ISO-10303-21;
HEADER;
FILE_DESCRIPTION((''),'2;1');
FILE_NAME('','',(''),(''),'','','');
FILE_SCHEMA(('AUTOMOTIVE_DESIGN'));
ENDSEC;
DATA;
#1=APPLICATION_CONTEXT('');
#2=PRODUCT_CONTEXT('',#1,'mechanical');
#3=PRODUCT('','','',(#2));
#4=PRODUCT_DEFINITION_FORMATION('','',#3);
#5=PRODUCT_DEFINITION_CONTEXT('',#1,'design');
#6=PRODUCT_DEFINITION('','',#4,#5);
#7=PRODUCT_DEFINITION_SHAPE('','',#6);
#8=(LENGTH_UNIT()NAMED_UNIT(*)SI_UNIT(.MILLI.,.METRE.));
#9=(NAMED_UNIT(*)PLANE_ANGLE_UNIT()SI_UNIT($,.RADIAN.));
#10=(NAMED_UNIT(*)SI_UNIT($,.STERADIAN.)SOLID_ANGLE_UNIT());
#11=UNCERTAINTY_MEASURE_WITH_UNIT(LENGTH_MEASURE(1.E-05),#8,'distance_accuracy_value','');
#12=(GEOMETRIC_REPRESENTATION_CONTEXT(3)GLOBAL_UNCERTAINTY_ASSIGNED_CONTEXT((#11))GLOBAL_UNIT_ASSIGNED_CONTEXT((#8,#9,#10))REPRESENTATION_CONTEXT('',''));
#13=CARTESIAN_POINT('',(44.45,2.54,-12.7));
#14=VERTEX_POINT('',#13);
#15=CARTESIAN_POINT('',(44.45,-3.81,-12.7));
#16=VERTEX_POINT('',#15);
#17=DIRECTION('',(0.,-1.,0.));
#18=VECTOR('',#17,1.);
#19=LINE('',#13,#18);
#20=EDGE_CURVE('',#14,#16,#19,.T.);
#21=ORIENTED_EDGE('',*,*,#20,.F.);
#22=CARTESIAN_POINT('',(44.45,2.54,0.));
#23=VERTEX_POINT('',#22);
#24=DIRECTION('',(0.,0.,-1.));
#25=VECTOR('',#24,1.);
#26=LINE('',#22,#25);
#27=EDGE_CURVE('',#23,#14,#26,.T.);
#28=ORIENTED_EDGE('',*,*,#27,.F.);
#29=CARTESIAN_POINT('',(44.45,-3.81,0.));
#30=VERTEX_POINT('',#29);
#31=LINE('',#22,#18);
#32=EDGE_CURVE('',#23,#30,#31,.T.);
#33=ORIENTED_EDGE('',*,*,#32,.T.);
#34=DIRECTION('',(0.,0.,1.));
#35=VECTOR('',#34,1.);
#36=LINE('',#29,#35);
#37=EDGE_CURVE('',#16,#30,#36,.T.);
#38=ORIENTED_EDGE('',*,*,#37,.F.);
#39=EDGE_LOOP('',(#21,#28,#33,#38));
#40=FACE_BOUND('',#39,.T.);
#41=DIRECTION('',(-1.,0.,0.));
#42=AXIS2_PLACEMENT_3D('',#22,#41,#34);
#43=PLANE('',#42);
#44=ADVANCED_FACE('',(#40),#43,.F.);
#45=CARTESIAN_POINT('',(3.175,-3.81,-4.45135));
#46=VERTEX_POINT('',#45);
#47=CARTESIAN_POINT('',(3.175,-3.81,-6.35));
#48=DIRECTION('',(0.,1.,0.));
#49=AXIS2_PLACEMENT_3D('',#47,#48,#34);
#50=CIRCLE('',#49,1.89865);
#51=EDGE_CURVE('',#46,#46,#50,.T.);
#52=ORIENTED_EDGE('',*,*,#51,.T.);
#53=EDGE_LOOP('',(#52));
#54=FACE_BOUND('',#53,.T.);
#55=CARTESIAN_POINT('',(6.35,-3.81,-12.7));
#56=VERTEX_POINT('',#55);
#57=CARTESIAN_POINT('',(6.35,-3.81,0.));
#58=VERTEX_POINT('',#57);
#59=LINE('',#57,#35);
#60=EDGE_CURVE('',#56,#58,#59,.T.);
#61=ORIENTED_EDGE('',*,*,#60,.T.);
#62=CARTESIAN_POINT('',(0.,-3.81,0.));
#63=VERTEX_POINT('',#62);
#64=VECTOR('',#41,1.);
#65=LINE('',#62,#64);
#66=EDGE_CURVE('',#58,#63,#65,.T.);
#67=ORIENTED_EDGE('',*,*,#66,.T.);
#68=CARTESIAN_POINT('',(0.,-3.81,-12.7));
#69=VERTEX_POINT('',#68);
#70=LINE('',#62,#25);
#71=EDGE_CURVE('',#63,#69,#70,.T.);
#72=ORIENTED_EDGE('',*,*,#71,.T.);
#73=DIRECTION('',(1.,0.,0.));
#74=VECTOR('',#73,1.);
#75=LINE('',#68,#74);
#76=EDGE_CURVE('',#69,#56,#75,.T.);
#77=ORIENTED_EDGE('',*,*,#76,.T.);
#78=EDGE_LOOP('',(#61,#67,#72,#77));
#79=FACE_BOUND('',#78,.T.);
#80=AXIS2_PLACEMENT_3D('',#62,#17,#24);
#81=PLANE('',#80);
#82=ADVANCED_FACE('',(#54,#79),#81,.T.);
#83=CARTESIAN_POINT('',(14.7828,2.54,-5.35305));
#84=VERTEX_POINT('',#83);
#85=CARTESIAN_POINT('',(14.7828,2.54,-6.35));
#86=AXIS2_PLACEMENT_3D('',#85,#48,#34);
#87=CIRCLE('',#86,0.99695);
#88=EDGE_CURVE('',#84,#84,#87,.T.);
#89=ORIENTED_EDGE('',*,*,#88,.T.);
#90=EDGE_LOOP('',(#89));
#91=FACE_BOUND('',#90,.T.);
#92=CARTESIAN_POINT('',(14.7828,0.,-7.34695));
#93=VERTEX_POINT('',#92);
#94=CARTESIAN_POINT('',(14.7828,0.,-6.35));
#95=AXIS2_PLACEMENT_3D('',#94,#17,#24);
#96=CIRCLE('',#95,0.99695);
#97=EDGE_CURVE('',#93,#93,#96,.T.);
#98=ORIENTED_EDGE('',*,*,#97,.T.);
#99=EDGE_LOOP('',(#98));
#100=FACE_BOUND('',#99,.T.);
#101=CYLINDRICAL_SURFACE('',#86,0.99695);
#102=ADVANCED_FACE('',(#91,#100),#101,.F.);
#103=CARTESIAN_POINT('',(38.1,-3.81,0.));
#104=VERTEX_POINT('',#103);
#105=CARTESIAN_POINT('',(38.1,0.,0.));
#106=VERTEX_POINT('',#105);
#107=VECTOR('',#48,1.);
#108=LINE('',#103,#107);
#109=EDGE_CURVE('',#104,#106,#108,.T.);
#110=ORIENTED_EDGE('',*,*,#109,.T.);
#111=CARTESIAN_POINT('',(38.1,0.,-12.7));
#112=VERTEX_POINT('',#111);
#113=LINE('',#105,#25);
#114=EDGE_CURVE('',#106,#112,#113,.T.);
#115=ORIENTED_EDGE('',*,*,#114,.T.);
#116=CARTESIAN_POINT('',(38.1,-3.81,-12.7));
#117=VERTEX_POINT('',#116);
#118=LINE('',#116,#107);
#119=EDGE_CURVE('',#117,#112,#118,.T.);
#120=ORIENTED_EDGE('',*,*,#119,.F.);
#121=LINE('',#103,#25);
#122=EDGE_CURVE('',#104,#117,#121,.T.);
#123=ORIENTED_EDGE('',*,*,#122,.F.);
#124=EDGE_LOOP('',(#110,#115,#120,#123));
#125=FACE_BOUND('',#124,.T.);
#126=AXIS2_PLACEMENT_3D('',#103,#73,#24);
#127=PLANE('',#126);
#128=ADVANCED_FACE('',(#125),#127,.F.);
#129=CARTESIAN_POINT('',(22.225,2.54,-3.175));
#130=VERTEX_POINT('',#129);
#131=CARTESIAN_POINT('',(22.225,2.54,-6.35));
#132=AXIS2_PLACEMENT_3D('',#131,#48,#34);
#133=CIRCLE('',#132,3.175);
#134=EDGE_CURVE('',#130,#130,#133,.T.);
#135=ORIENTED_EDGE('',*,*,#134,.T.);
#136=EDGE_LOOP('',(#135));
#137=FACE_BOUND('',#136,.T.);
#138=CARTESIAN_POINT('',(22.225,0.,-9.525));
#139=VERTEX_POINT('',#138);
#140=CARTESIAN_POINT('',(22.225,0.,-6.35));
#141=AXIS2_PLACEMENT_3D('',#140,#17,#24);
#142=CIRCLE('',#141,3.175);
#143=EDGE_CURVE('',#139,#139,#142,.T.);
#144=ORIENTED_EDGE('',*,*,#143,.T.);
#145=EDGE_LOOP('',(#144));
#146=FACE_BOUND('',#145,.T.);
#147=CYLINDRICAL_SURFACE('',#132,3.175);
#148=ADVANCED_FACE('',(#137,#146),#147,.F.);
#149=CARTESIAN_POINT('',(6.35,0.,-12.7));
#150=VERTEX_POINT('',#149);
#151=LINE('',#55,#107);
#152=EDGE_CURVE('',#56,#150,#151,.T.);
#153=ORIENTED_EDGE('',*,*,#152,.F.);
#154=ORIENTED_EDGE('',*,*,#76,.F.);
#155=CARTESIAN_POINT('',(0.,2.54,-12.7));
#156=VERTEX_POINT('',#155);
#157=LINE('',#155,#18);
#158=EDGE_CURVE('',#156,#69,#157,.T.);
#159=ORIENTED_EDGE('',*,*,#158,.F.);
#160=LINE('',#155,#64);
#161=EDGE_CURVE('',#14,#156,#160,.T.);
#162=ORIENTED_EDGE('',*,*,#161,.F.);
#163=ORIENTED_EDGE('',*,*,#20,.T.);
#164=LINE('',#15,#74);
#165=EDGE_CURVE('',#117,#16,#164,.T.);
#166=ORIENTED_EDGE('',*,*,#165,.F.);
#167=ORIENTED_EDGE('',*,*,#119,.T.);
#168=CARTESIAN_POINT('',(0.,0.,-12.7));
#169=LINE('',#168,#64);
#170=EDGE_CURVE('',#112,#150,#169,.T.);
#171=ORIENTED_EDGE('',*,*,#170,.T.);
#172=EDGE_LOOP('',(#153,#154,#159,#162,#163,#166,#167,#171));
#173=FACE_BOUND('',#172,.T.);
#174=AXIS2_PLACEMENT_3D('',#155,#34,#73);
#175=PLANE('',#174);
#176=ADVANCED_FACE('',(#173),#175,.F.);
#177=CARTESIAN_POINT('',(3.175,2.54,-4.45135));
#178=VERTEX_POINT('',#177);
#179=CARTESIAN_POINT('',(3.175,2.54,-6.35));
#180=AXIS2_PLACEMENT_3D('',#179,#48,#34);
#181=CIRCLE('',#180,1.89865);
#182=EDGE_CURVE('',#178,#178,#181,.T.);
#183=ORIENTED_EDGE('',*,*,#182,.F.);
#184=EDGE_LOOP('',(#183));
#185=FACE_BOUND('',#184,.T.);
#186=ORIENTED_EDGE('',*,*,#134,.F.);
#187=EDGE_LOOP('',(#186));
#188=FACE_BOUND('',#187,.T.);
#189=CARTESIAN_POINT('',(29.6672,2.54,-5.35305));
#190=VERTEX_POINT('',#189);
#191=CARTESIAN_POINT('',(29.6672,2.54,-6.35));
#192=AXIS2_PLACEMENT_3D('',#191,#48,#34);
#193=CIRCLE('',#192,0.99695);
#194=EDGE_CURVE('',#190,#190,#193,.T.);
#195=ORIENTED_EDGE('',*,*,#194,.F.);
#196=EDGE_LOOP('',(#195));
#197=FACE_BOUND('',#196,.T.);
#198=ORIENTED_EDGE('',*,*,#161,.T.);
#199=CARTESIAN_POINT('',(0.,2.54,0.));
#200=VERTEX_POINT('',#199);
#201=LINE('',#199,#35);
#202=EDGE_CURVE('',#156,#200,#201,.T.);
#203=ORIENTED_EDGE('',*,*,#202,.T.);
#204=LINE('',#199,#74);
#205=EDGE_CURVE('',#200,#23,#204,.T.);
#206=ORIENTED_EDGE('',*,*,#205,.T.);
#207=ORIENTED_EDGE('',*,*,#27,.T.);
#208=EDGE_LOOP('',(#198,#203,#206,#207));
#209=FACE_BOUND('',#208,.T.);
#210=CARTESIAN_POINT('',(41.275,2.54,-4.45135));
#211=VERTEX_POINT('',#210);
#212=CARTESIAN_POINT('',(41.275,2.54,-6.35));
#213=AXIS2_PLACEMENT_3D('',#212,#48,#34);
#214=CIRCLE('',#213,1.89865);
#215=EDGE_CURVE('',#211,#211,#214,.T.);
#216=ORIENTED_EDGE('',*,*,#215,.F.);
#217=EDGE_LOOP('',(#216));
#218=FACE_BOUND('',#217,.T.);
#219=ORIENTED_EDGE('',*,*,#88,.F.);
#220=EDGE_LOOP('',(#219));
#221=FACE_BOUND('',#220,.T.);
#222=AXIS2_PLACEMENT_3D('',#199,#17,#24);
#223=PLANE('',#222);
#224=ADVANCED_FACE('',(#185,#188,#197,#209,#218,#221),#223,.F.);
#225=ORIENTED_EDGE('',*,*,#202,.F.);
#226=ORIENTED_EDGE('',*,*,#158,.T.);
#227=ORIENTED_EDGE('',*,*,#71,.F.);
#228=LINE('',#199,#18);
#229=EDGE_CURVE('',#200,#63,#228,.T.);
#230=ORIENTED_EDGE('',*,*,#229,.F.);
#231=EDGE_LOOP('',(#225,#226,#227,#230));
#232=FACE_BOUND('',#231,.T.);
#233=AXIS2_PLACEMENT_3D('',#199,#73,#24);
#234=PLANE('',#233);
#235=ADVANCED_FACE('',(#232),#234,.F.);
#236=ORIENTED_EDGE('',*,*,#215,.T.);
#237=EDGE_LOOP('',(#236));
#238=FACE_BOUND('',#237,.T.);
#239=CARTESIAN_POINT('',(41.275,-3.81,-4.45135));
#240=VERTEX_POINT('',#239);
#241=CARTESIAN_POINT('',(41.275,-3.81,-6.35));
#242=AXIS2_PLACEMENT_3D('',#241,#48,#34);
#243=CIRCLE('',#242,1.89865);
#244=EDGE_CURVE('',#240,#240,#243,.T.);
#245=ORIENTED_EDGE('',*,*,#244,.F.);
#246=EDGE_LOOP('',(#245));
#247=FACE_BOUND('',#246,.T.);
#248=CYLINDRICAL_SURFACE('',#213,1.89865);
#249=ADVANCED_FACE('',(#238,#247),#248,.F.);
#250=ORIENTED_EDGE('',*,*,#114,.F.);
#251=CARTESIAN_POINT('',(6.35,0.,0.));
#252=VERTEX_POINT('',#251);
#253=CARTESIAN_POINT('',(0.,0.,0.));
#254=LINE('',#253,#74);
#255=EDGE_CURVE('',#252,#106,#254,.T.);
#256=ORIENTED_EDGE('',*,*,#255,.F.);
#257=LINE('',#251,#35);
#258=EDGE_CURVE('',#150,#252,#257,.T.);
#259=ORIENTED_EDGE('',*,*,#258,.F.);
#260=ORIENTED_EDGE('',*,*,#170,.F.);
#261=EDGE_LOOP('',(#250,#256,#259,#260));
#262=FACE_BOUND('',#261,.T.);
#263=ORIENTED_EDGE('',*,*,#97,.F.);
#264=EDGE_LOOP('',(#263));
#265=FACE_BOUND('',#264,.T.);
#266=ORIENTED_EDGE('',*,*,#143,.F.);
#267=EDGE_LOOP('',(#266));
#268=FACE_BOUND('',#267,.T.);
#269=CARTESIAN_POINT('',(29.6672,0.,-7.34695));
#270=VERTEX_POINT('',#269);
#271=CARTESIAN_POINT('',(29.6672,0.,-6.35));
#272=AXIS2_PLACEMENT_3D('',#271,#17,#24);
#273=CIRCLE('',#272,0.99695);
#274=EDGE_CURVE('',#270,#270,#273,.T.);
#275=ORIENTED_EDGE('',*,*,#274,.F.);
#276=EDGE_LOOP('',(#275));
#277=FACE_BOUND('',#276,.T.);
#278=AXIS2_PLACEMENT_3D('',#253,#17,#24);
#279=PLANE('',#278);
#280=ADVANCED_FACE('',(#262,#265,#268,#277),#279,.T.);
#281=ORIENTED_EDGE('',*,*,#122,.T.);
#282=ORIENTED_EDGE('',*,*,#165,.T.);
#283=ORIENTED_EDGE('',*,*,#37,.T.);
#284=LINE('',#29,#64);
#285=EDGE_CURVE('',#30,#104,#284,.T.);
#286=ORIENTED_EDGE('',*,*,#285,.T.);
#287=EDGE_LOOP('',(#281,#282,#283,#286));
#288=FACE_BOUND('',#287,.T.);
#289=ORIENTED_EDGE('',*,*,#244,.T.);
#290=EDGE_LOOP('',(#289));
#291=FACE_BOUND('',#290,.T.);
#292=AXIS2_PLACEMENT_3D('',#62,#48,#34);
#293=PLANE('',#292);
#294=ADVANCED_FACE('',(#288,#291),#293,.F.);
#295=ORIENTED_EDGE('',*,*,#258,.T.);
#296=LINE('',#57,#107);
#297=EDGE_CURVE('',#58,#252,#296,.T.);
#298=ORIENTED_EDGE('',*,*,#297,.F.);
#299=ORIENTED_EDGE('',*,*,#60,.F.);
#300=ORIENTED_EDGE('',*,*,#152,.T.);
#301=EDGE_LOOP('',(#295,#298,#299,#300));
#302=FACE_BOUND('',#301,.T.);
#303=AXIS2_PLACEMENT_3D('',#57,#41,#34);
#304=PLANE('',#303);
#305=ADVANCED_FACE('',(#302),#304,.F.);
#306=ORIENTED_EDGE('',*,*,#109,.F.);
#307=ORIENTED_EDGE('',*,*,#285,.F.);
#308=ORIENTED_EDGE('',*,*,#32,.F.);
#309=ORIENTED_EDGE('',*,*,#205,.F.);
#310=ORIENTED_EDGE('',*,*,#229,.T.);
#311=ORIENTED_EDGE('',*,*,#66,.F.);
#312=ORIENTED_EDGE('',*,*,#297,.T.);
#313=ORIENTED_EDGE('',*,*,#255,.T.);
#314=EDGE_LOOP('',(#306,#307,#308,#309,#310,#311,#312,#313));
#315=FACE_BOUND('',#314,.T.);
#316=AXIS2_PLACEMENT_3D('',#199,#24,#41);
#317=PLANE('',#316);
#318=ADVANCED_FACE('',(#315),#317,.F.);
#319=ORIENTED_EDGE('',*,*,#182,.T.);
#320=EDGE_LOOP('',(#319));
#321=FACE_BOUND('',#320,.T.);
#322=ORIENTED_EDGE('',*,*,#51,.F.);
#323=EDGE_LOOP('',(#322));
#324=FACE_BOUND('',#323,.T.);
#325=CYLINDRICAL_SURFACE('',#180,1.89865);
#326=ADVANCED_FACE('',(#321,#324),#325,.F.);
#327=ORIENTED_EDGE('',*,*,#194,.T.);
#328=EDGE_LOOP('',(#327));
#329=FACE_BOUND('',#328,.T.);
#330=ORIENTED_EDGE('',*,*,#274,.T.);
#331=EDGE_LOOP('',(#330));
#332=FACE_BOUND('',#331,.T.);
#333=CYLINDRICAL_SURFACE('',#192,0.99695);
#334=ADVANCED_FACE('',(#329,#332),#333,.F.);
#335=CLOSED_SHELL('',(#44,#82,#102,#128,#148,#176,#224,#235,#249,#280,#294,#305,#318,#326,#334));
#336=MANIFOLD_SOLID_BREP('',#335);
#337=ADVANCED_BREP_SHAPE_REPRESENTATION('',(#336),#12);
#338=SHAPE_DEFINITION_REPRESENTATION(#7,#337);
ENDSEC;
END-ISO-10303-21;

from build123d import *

# Parameters (mm, degrees)
SKETCH1_W                   = 44.45
SKETCH1_H                   = 12.7
BOSS_EXTRUDE1_DEPTH         = 2.54
SKETCH2_W                   = 6.35
SKETCH2_H                   = 12.7
BOSS_EXTRUDE2_DEPTH         = 3.81
F_6_CLEARANCE_HOLE1_D       = 3.7973
F_3_48_TAPPED_HOLE1_D       = 1.9939
F_1_4_0_25_DIAMETER_HOLE1_D = 6.35


with BuildPart() as part:
    # Sketch1 → Boss-Extrude1 (new body)
    with BuildSketch(Plane(origin=(0, 0, 0), x_dir=(1, 0, 0), z_dir=(0, 1, 0))):
        with Locations((22.225, 6.35)):
            Rectangle(SKETCH1_W, SKETCH1_H)
    extrude(amount=BOSS_EXTRUDE1_DEPTH)

    # Sketch2 → Boss-Extrude2 (add)
    with BuildSketch(Plane.XZ):
        with Locations((3.175, -6.35)):
            Rectangle(SKETCH2_W, SKETCH2_H)
        with Locations((41.275, -6.35)):
            Rectangle(SKETCH2_W, SKETCH2_H)
    extrude(amount=BOSS_EXTRUDE2_DEPTH)

    # #6 Clearance Hole1 (through all)
    with Locations(Plane(origin=(0, 2.54, 0), x_dir=(1, 0, 0), z_dir=(0, 1, 0))):
        with Locations((3.175, 6.35), (41.275, 6.35)):
            Hole(F_6_CLEARANCE_HOLE1_D / 2)

    # #3-48 Tapped Hole1 (through all)
    with Locations(Plane(origin=(0, 2.54, 0), x_dir=(1, 0, 0), z_dir=(0, 1, 0))):
        with Locations((14.7828, 6.35), (29.6672, 6.35)):
            Hole(F_3_48_TAPPED_HOLE1_D / 2)

    # 1/4 (0.25) Diameter Hole1 (through all)
    with Locations(Plane(origin=(0, 2.54, 0), x_dir=(1, 0, 0), z_dir=(0, 1, 0))):
        with Locations((22.225, 6.35)):
            Hole(F_1_4_0_25_DIAMETER_HOLE1_D / 2)


solid = part.part
